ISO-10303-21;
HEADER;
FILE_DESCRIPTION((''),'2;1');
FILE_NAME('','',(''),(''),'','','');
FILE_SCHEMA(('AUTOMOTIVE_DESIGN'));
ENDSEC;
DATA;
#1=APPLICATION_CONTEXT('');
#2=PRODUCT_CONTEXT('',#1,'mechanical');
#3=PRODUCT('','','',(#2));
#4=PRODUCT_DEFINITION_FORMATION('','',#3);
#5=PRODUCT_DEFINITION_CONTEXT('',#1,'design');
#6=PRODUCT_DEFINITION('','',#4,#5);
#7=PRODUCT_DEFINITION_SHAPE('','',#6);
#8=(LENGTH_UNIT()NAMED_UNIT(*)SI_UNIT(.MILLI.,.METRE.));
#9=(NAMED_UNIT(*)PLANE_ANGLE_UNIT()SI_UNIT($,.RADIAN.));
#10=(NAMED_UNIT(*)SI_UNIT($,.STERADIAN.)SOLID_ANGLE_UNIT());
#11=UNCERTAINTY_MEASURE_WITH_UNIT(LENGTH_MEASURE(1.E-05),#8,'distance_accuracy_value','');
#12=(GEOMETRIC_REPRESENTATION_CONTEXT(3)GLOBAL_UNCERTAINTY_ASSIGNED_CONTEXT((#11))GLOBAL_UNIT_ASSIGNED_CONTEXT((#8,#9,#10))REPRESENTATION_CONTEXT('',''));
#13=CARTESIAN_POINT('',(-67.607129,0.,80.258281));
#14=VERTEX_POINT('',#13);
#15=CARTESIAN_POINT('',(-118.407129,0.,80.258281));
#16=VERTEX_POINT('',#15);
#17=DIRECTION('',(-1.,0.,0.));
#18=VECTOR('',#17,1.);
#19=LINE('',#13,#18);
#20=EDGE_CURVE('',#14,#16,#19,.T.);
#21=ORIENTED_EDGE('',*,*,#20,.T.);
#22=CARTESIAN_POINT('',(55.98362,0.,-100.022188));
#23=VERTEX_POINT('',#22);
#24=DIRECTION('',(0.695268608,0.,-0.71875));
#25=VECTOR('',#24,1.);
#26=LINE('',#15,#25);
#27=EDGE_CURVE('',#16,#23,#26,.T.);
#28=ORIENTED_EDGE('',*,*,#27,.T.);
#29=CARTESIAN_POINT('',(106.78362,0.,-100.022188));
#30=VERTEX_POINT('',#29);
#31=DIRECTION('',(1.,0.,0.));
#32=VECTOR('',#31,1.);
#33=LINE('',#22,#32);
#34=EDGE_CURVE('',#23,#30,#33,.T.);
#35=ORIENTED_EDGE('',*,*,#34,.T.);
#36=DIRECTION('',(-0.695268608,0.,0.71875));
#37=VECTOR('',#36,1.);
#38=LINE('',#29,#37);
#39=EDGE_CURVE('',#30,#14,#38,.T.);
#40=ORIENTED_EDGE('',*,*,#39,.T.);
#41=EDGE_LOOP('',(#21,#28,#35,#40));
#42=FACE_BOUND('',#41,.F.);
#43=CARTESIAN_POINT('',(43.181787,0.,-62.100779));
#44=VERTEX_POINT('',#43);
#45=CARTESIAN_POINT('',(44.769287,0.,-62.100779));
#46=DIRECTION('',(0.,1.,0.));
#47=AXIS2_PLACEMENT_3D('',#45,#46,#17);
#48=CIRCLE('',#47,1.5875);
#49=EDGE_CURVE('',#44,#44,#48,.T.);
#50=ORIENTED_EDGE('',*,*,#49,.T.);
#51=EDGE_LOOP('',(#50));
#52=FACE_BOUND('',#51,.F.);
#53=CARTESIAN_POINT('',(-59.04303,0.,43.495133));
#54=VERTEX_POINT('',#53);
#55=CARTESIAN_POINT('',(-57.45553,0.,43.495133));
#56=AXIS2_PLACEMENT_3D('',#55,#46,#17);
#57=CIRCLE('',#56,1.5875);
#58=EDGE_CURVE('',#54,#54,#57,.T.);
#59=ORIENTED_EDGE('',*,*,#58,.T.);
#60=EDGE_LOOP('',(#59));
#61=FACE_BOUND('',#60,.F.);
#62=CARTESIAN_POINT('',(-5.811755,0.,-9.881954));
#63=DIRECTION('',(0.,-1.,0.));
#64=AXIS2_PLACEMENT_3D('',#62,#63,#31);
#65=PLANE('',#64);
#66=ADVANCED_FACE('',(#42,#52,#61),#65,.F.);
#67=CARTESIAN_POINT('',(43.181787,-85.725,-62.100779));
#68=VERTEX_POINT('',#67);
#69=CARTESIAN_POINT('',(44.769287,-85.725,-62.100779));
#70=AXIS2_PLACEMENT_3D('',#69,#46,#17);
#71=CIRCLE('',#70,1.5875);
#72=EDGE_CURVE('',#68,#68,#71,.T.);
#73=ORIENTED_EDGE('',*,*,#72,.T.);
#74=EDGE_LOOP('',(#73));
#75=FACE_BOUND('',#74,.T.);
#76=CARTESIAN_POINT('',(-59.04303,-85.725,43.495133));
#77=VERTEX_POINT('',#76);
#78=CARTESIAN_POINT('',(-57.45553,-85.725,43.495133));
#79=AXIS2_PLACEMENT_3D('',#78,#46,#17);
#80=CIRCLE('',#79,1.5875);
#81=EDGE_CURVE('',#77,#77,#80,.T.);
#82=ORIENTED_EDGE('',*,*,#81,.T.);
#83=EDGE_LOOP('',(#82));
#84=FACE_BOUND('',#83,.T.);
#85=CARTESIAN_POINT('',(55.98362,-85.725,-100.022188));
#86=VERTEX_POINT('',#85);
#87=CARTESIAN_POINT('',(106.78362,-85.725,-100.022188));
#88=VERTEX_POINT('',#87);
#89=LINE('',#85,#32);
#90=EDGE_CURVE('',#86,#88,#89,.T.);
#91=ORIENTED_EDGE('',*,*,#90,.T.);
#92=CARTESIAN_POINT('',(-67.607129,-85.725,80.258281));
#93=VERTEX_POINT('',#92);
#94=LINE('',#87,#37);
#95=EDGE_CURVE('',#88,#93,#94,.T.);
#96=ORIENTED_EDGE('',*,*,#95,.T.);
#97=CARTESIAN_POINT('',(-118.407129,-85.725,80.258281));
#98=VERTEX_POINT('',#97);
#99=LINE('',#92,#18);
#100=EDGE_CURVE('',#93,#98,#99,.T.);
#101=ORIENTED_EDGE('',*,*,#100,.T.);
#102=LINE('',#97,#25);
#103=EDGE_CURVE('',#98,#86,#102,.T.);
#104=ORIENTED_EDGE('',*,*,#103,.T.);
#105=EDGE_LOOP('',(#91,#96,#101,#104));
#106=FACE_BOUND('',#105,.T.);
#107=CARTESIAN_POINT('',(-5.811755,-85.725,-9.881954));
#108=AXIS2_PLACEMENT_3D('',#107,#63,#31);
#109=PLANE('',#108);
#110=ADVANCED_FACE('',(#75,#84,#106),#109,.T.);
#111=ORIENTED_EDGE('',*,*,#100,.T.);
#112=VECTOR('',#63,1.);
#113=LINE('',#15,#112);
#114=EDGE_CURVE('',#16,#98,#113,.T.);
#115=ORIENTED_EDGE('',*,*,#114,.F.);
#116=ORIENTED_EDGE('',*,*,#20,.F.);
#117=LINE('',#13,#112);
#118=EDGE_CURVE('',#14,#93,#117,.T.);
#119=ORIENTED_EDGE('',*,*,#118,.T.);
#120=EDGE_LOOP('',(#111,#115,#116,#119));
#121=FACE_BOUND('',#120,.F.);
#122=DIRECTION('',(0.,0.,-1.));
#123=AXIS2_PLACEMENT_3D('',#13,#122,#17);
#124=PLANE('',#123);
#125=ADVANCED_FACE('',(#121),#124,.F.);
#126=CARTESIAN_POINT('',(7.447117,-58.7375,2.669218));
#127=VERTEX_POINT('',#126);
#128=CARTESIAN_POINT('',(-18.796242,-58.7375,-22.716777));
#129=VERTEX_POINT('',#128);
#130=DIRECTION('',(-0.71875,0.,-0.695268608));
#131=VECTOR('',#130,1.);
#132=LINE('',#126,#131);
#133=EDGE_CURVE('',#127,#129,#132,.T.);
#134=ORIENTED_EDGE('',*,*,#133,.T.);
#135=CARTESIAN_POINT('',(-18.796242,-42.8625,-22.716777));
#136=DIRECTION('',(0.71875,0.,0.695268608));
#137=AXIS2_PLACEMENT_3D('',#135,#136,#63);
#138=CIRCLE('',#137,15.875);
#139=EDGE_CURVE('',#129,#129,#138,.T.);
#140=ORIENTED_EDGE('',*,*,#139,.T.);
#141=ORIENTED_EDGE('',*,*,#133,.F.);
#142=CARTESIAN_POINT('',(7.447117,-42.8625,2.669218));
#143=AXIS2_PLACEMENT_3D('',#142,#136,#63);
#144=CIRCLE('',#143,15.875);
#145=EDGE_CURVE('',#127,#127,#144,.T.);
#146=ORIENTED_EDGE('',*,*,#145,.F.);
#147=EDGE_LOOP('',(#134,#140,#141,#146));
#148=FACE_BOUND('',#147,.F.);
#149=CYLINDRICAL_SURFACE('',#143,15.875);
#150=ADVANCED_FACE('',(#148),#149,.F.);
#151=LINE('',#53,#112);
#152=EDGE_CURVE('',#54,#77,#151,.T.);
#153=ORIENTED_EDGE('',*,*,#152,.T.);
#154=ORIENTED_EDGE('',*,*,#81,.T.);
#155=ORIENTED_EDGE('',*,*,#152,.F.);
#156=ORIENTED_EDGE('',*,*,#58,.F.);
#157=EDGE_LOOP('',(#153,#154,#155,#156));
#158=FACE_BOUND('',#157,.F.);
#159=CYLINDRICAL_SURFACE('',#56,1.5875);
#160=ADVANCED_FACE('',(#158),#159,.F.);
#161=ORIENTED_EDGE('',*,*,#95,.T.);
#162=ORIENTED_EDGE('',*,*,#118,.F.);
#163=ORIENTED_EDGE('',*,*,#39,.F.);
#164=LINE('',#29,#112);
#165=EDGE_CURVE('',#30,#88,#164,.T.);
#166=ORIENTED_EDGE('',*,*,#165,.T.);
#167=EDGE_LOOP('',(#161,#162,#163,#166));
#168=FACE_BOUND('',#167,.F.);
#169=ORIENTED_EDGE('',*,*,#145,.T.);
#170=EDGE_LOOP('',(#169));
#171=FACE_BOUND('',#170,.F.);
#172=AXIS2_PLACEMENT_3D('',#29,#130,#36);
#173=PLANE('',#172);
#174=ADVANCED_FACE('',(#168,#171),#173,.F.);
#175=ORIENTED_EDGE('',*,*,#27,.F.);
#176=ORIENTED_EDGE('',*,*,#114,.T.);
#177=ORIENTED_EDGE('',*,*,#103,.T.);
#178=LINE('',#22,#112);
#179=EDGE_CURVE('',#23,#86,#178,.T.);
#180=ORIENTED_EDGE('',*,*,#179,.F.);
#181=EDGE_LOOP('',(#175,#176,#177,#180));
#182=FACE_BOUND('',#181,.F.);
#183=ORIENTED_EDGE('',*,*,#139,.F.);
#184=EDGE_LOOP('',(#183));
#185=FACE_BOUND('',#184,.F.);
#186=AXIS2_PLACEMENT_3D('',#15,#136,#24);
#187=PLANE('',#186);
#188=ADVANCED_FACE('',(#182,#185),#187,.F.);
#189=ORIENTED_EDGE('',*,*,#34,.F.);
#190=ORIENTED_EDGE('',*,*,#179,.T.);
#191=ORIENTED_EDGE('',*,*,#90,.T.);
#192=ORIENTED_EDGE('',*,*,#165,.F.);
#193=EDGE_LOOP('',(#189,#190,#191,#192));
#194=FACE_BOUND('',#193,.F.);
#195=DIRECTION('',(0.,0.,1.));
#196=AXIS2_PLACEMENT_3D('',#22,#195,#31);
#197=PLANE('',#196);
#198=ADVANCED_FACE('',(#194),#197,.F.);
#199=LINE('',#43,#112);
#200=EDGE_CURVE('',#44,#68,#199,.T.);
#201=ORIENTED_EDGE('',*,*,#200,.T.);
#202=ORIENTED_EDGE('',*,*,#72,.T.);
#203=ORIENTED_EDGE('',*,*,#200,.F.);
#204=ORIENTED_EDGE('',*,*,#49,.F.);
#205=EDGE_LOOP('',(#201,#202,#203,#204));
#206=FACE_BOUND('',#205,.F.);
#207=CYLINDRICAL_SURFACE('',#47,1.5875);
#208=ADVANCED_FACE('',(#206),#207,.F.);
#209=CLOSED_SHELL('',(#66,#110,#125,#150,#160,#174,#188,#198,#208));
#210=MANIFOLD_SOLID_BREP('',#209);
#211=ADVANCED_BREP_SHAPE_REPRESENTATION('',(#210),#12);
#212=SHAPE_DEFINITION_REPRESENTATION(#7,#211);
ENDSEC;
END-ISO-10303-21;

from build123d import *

# Parameters (mm, degrees)
F1_DEPTH = 85.725
F3_DEPTH = 50.8
F4_R     = 1.5875
F5_DEPTH = 127


with BuildPart() as f1:
    # F0 (on Front) → F1 (new body)
    with BuildSketch(Plane.XZ):
        Polygon((-67.6071290719, 80.2582807616), (-118.4071290719, 80.2582807616), (55.9836195711, -100.0221879884), (106.7836195711, -100.0221879884), align=None)
    extrude(amount=F1_DEPTH)

    # F2 (on face) → F3 (cut)
    with BuildSketch(Plane(origin=(5.1810656307, 0, 5.0118014468), x_dir=(0, 1, 0), z_dir=(0.71875, 0, 0.6952686082))):
        with BuildLine():
            Line((-58.7375, -3.2592461708), (-26.9875, -3.2592461708))
            ThreePointArc((-26.9875, -3.2592461708), (-42.8625, 12.6157538292), (-58.7375, -3.2592461708))
        make_face()
        with BuildLine():
            ThreePointArc((-58.7375, -3.2592461708), (-42.8625, -19.1342461708), (-26.9875, -3.2592461708))
            Line((-26.9875, -3.2592461708), (-58.7375, -3.2592461708))
        make_face()
    extrude(amount=-F3_DEPTH, mode=Mode.SUBTRACT)

    # F4 (on face) → F5 (cut)
    with BuildSketch(Plane(origin=(0, 0, 0), x_dir=(-1, 0, 0), z_dir=(0, 1, 0))):
        with Locations((-44.76928715, -62.1007793102)):
            Circle(F4_R)
        with Locations((57.455530428, 43.4951331483)):
            Circle(F4_R)
    extrude(amount=-F5_DEPTH, mode=Mode.SUBTRACT)


solid = f1.part
